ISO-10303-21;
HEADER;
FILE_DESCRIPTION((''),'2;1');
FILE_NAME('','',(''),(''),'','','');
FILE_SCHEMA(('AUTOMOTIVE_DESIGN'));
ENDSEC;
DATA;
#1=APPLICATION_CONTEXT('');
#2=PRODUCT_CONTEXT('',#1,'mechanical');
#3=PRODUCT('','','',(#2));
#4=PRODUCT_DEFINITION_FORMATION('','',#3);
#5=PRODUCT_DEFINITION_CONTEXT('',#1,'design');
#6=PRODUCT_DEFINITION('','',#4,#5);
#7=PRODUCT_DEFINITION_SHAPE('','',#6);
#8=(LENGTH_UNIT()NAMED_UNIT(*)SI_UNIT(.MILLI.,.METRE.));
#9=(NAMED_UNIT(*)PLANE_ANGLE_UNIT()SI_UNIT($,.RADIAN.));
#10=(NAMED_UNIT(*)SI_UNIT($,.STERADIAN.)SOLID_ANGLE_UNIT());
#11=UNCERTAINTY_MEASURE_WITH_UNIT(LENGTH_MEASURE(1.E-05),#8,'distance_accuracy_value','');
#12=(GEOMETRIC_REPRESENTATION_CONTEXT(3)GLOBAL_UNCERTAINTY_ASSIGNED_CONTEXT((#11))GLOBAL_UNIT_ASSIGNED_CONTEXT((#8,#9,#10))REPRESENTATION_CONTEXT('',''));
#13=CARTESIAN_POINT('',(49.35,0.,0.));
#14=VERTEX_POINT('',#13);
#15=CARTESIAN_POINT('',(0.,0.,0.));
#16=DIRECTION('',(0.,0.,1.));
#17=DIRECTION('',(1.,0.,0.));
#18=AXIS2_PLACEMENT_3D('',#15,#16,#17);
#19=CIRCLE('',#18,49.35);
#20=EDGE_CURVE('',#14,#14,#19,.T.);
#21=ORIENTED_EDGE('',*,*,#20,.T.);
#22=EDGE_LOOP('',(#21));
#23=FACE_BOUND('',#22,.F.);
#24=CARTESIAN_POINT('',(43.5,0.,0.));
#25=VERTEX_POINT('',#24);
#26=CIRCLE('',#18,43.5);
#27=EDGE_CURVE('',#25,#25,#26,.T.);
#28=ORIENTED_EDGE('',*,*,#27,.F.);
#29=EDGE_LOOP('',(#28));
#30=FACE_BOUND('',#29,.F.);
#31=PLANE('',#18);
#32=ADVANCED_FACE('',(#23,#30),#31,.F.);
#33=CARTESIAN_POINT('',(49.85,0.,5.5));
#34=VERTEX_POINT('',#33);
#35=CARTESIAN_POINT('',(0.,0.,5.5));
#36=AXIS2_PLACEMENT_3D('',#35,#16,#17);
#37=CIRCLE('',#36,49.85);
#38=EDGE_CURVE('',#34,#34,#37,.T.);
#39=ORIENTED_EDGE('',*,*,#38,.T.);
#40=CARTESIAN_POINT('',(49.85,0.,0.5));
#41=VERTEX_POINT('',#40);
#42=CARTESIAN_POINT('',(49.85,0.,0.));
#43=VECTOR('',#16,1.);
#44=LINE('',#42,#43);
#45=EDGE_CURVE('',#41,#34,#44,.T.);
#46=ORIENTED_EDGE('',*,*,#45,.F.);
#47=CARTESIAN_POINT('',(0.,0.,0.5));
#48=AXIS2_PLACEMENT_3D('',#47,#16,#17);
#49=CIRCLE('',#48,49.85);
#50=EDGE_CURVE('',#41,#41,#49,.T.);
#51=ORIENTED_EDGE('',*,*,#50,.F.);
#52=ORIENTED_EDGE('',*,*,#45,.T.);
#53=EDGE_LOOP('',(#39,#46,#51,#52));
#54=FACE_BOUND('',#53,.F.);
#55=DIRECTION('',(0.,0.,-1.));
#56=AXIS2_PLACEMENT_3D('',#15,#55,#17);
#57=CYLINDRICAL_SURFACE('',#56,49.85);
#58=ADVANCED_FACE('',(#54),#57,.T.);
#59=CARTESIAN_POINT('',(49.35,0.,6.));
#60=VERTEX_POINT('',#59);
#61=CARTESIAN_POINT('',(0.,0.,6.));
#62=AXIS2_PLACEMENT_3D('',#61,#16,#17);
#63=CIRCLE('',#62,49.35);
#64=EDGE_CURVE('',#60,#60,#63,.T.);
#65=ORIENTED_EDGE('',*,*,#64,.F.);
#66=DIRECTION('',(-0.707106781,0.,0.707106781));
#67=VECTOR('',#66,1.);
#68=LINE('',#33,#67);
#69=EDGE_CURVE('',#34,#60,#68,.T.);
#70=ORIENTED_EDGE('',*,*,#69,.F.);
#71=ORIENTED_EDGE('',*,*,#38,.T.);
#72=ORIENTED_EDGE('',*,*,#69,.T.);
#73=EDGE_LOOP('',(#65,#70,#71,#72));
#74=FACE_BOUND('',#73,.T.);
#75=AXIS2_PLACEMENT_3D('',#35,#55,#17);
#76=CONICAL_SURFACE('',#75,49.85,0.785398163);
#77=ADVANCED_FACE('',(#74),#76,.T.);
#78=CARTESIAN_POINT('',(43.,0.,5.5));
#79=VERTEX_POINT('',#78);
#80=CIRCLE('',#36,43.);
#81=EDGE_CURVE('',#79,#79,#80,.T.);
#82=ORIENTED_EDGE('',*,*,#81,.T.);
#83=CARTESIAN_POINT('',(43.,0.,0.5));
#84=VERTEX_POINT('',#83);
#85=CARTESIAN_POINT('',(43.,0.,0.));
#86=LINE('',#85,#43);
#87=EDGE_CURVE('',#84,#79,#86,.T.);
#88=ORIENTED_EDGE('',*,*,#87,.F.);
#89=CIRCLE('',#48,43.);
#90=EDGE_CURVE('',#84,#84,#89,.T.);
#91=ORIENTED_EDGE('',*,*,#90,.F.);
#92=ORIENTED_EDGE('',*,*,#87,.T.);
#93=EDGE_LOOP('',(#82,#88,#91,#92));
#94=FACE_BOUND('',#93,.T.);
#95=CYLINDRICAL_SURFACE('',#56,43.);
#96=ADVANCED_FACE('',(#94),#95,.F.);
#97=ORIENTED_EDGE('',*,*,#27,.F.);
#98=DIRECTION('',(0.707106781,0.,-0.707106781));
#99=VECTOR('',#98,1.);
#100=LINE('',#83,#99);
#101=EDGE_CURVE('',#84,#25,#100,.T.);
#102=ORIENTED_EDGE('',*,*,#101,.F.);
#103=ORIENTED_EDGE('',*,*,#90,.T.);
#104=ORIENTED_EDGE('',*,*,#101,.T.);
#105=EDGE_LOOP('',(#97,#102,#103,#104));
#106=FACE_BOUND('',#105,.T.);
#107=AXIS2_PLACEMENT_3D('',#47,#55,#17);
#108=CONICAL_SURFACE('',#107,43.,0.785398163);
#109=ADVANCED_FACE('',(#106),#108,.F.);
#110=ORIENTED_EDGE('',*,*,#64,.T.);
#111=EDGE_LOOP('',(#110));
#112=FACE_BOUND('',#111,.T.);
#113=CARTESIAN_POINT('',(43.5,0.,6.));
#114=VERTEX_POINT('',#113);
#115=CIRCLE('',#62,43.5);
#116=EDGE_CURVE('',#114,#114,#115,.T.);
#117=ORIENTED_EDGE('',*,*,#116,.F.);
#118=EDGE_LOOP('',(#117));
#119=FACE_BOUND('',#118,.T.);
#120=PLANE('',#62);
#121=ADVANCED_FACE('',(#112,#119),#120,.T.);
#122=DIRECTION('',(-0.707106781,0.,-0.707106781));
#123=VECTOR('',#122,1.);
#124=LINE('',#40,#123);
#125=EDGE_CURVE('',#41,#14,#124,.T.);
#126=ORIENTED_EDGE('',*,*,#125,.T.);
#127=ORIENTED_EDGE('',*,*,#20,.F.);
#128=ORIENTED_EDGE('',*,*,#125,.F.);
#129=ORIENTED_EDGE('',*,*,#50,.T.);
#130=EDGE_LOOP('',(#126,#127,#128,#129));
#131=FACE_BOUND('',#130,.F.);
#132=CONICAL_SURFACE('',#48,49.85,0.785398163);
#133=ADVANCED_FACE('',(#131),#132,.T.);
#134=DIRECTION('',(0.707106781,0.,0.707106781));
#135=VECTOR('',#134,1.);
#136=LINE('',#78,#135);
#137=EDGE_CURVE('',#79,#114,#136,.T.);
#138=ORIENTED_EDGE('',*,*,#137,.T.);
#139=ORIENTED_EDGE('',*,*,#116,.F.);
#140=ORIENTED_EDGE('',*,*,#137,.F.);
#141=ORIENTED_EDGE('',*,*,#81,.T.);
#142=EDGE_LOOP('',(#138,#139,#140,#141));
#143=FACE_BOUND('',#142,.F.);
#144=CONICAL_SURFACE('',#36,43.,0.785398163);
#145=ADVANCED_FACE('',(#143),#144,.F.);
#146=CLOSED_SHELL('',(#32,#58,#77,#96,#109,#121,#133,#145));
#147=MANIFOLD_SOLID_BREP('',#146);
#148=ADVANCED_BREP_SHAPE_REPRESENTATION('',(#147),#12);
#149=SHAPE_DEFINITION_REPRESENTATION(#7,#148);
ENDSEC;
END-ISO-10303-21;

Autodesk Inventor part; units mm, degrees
ref_plane "YZ Plane" through (0, 0, 0) normal (1, 0, 0) x (0, 1, 0)
ref_plane "XZ Plane" through (0, 0, 0) normal (0, 1, 0) x (-1, 0, 0)
ref_plane "XY Plane" through (0, 0, 0) normal (0, 0, 1) x (1, 0, 0)
sketch "草图1" plane through (0, 0, 0) normal (0, 0, 1) x (1, 0, 0)
  circle A0 centre (0, 0) radius 49.85
  circle A1 centre (0, 0) radius 43
extrude "拉伸1" add sketch "草图1" along normal blind 6
chamfer "倒角1" distance 0.5 angle 45 4 edges at (-43, 0, 6) (-43, 0, 0) (-49.85, 0, 6) (-49.85, 0, 0)
properties part number "my_attempt_v2"
